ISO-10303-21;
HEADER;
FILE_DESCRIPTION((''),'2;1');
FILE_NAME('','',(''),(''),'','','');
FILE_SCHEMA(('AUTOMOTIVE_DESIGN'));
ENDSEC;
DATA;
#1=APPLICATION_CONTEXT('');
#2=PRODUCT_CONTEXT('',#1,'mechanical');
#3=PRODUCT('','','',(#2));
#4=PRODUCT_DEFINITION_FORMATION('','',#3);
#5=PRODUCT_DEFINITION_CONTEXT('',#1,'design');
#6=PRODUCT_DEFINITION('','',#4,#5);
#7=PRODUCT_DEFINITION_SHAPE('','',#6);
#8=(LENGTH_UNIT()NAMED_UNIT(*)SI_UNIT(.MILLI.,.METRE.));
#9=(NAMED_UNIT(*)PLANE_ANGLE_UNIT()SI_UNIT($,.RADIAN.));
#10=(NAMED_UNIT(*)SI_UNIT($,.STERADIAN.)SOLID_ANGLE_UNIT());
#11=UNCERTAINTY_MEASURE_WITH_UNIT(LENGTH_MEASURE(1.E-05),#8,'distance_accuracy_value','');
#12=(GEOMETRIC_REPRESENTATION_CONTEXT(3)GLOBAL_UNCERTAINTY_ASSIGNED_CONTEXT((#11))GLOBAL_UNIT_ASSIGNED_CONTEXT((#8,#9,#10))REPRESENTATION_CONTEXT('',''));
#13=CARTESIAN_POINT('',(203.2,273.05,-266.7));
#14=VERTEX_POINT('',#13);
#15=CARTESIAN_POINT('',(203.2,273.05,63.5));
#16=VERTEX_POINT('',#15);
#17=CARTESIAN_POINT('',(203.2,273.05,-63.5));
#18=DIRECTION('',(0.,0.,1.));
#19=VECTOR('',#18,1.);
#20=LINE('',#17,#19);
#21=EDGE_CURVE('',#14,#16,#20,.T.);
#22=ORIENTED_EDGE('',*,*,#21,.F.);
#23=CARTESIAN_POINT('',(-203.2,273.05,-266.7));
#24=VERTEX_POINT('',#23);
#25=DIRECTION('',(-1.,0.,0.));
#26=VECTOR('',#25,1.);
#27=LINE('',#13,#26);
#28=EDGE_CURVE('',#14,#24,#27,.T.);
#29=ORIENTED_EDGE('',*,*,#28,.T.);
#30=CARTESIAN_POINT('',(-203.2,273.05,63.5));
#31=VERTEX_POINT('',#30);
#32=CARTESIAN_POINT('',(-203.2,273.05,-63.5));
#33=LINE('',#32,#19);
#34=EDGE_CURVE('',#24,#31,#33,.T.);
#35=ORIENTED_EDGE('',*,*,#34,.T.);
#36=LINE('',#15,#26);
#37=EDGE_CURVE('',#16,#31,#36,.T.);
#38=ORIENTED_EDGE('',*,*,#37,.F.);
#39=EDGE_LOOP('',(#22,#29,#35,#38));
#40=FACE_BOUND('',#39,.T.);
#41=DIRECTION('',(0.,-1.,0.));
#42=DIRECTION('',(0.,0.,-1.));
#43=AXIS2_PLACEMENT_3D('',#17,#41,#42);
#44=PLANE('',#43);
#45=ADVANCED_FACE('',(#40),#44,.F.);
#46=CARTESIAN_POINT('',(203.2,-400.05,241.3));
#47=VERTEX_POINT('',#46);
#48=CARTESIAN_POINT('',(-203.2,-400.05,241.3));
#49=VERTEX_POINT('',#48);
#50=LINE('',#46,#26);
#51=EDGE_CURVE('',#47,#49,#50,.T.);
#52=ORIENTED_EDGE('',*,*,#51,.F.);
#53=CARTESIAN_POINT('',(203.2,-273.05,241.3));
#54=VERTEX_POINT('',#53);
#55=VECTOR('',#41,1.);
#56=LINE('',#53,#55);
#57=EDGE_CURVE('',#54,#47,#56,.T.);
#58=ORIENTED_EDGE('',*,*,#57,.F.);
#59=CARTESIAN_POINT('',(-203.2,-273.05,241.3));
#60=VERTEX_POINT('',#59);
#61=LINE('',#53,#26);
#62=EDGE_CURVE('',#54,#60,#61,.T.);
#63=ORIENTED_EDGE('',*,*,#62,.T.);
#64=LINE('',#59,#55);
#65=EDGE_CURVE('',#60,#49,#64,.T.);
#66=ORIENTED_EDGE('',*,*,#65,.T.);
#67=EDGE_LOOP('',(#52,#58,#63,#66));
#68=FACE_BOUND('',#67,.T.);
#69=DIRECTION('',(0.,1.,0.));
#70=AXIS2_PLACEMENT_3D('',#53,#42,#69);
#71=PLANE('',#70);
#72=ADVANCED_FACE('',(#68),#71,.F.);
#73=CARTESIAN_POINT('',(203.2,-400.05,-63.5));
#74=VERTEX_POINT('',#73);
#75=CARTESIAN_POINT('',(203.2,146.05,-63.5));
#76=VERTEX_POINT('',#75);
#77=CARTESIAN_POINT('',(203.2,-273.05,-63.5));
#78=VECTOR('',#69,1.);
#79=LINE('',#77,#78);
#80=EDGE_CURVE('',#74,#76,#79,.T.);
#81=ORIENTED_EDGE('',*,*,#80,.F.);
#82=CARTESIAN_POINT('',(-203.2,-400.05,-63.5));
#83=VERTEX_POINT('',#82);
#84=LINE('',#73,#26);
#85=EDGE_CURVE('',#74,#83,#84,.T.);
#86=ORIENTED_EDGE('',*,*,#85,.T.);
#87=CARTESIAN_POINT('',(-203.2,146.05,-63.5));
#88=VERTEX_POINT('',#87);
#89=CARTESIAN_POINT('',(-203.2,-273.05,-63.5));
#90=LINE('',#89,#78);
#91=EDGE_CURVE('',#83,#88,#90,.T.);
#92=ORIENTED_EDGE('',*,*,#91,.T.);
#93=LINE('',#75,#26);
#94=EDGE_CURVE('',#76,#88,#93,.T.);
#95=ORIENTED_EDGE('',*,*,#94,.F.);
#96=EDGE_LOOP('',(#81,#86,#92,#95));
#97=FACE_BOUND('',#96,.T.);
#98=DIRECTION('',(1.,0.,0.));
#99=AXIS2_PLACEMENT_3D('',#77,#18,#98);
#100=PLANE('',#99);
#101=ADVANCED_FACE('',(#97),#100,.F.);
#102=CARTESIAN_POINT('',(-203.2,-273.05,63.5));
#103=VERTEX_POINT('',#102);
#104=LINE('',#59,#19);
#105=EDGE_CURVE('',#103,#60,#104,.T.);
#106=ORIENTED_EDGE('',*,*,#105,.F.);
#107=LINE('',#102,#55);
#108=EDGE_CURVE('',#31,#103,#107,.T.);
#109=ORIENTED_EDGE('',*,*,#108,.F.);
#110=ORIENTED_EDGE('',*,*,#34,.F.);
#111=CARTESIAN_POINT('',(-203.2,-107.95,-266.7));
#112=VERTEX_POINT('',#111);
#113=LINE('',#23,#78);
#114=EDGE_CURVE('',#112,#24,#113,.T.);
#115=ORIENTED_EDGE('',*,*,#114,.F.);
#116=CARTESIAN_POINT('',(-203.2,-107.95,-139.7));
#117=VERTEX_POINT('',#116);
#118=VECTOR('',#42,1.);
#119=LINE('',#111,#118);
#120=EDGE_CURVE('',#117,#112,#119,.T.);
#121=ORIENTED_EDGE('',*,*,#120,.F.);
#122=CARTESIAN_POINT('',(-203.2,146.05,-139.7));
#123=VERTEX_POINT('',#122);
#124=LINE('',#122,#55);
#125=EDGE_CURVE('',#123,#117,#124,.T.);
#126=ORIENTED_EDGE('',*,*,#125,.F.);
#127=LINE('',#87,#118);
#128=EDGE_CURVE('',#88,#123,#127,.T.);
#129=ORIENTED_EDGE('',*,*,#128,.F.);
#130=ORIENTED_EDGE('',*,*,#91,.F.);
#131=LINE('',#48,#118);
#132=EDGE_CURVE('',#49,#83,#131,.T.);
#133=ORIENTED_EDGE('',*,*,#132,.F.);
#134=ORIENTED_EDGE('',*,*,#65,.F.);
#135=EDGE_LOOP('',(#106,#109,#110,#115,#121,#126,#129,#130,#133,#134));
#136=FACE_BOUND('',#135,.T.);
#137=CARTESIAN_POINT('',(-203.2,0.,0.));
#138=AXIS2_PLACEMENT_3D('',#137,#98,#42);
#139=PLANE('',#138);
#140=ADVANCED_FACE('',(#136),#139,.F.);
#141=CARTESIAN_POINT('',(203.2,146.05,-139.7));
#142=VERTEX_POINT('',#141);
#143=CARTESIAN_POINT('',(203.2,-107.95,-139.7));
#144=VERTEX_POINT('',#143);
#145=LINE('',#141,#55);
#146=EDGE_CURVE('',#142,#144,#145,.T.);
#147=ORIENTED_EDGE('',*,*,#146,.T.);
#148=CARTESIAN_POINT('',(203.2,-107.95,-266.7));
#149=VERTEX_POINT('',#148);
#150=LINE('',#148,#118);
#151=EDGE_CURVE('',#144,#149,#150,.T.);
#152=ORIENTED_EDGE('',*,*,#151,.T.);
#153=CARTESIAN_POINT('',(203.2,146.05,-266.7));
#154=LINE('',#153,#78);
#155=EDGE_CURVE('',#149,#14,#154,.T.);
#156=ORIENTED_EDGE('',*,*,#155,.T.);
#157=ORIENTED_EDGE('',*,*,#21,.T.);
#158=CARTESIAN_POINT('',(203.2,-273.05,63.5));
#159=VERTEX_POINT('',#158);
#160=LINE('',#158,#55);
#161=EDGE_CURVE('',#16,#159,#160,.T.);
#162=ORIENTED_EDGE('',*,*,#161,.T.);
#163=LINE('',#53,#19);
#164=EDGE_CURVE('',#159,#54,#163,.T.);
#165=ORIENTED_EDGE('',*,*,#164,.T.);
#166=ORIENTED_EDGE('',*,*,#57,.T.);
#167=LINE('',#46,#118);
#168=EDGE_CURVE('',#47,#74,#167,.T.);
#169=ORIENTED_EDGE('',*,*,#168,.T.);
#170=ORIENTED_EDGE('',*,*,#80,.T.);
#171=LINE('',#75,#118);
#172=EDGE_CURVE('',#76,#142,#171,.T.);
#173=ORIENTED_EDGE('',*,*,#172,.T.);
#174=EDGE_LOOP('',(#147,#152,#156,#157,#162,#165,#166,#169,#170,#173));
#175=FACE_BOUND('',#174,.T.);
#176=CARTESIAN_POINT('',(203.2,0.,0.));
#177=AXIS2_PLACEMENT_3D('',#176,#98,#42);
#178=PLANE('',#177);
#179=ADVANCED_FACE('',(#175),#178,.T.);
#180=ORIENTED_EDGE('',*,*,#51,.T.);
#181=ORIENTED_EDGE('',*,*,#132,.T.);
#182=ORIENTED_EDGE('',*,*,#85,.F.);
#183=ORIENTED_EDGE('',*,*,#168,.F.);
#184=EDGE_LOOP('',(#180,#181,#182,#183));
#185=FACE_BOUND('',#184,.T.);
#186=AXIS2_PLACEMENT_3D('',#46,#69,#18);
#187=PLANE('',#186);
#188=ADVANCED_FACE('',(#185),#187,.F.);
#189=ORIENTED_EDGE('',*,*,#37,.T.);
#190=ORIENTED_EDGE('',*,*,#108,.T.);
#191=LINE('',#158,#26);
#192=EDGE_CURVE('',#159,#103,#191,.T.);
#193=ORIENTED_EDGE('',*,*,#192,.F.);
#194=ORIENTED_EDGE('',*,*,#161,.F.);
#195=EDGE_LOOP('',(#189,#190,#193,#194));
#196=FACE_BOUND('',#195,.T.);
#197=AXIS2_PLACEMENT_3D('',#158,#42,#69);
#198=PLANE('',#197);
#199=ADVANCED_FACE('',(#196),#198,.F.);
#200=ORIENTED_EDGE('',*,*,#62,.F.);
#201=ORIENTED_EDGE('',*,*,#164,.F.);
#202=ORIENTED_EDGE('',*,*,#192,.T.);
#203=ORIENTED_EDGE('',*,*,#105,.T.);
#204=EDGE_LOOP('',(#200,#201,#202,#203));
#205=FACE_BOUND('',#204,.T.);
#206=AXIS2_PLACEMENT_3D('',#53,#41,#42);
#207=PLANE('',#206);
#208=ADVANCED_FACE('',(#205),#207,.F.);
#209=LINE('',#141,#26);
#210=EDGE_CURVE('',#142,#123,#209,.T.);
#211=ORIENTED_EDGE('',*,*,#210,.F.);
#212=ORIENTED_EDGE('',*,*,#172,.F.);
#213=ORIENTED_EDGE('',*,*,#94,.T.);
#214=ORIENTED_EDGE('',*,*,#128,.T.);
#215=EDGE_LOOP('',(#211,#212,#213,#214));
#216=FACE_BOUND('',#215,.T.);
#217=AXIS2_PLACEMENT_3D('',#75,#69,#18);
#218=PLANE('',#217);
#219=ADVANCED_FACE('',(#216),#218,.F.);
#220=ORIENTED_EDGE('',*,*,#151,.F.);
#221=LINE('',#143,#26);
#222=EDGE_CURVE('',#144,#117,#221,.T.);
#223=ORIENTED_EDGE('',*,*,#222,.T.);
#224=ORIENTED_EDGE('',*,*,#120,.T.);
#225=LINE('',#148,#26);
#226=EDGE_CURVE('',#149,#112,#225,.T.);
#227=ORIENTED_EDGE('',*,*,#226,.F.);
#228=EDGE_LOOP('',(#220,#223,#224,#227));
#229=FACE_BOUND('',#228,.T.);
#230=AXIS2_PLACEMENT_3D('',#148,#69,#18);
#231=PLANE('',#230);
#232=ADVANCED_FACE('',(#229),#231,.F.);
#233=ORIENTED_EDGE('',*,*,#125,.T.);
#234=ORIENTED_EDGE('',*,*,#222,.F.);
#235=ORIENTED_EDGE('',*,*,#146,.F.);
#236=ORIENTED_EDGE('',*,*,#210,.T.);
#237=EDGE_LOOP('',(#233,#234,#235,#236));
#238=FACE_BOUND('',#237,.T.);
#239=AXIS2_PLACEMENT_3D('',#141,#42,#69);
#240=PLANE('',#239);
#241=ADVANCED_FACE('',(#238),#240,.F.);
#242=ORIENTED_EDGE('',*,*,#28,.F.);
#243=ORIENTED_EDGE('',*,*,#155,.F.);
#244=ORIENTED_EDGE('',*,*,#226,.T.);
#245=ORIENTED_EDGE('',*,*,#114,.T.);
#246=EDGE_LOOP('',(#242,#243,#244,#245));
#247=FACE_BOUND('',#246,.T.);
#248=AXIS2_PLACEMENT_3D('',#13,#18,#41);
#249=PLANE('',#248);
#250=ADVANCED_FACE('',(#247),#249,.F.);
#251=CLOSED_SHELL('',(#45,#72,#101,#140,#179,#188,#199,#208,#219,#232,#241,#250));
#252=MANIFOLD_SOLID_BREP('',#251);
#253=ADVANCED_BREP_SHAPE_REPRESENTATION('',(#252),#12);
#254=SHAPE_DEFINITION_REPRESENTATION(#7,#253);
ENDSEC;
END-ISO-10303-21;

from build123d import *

# Parameters (mm, degrees)
BOSS_EXTRUDE1_DEPTH = 203.2


with BuildPart() as part:
    # Sketch1 → Boss-Extrude1 (new body, symmetric)
    with BuildSketch(Plane(origin=(0, 0, 0), x_dir=(0, 0, -1), z_dir=(1, 0, 0))):
        Polygon((-241.3, -273.05), (-63.5, -273.05), (-63.5, 273.05), (63.5, 273.05), (266.7, 273.05), (266.7, 146.05), (266.7, -107.95), (139.7, -107.95), (139.7, 146.05), (63.5, 146.05), (63.5, -273.05), (63.5, -400.05), (-241.3, -400.05), align=None)
    extrude(amount=BOSS_EXTRUDE1_DEPTH, both=True)


solid = part.part
